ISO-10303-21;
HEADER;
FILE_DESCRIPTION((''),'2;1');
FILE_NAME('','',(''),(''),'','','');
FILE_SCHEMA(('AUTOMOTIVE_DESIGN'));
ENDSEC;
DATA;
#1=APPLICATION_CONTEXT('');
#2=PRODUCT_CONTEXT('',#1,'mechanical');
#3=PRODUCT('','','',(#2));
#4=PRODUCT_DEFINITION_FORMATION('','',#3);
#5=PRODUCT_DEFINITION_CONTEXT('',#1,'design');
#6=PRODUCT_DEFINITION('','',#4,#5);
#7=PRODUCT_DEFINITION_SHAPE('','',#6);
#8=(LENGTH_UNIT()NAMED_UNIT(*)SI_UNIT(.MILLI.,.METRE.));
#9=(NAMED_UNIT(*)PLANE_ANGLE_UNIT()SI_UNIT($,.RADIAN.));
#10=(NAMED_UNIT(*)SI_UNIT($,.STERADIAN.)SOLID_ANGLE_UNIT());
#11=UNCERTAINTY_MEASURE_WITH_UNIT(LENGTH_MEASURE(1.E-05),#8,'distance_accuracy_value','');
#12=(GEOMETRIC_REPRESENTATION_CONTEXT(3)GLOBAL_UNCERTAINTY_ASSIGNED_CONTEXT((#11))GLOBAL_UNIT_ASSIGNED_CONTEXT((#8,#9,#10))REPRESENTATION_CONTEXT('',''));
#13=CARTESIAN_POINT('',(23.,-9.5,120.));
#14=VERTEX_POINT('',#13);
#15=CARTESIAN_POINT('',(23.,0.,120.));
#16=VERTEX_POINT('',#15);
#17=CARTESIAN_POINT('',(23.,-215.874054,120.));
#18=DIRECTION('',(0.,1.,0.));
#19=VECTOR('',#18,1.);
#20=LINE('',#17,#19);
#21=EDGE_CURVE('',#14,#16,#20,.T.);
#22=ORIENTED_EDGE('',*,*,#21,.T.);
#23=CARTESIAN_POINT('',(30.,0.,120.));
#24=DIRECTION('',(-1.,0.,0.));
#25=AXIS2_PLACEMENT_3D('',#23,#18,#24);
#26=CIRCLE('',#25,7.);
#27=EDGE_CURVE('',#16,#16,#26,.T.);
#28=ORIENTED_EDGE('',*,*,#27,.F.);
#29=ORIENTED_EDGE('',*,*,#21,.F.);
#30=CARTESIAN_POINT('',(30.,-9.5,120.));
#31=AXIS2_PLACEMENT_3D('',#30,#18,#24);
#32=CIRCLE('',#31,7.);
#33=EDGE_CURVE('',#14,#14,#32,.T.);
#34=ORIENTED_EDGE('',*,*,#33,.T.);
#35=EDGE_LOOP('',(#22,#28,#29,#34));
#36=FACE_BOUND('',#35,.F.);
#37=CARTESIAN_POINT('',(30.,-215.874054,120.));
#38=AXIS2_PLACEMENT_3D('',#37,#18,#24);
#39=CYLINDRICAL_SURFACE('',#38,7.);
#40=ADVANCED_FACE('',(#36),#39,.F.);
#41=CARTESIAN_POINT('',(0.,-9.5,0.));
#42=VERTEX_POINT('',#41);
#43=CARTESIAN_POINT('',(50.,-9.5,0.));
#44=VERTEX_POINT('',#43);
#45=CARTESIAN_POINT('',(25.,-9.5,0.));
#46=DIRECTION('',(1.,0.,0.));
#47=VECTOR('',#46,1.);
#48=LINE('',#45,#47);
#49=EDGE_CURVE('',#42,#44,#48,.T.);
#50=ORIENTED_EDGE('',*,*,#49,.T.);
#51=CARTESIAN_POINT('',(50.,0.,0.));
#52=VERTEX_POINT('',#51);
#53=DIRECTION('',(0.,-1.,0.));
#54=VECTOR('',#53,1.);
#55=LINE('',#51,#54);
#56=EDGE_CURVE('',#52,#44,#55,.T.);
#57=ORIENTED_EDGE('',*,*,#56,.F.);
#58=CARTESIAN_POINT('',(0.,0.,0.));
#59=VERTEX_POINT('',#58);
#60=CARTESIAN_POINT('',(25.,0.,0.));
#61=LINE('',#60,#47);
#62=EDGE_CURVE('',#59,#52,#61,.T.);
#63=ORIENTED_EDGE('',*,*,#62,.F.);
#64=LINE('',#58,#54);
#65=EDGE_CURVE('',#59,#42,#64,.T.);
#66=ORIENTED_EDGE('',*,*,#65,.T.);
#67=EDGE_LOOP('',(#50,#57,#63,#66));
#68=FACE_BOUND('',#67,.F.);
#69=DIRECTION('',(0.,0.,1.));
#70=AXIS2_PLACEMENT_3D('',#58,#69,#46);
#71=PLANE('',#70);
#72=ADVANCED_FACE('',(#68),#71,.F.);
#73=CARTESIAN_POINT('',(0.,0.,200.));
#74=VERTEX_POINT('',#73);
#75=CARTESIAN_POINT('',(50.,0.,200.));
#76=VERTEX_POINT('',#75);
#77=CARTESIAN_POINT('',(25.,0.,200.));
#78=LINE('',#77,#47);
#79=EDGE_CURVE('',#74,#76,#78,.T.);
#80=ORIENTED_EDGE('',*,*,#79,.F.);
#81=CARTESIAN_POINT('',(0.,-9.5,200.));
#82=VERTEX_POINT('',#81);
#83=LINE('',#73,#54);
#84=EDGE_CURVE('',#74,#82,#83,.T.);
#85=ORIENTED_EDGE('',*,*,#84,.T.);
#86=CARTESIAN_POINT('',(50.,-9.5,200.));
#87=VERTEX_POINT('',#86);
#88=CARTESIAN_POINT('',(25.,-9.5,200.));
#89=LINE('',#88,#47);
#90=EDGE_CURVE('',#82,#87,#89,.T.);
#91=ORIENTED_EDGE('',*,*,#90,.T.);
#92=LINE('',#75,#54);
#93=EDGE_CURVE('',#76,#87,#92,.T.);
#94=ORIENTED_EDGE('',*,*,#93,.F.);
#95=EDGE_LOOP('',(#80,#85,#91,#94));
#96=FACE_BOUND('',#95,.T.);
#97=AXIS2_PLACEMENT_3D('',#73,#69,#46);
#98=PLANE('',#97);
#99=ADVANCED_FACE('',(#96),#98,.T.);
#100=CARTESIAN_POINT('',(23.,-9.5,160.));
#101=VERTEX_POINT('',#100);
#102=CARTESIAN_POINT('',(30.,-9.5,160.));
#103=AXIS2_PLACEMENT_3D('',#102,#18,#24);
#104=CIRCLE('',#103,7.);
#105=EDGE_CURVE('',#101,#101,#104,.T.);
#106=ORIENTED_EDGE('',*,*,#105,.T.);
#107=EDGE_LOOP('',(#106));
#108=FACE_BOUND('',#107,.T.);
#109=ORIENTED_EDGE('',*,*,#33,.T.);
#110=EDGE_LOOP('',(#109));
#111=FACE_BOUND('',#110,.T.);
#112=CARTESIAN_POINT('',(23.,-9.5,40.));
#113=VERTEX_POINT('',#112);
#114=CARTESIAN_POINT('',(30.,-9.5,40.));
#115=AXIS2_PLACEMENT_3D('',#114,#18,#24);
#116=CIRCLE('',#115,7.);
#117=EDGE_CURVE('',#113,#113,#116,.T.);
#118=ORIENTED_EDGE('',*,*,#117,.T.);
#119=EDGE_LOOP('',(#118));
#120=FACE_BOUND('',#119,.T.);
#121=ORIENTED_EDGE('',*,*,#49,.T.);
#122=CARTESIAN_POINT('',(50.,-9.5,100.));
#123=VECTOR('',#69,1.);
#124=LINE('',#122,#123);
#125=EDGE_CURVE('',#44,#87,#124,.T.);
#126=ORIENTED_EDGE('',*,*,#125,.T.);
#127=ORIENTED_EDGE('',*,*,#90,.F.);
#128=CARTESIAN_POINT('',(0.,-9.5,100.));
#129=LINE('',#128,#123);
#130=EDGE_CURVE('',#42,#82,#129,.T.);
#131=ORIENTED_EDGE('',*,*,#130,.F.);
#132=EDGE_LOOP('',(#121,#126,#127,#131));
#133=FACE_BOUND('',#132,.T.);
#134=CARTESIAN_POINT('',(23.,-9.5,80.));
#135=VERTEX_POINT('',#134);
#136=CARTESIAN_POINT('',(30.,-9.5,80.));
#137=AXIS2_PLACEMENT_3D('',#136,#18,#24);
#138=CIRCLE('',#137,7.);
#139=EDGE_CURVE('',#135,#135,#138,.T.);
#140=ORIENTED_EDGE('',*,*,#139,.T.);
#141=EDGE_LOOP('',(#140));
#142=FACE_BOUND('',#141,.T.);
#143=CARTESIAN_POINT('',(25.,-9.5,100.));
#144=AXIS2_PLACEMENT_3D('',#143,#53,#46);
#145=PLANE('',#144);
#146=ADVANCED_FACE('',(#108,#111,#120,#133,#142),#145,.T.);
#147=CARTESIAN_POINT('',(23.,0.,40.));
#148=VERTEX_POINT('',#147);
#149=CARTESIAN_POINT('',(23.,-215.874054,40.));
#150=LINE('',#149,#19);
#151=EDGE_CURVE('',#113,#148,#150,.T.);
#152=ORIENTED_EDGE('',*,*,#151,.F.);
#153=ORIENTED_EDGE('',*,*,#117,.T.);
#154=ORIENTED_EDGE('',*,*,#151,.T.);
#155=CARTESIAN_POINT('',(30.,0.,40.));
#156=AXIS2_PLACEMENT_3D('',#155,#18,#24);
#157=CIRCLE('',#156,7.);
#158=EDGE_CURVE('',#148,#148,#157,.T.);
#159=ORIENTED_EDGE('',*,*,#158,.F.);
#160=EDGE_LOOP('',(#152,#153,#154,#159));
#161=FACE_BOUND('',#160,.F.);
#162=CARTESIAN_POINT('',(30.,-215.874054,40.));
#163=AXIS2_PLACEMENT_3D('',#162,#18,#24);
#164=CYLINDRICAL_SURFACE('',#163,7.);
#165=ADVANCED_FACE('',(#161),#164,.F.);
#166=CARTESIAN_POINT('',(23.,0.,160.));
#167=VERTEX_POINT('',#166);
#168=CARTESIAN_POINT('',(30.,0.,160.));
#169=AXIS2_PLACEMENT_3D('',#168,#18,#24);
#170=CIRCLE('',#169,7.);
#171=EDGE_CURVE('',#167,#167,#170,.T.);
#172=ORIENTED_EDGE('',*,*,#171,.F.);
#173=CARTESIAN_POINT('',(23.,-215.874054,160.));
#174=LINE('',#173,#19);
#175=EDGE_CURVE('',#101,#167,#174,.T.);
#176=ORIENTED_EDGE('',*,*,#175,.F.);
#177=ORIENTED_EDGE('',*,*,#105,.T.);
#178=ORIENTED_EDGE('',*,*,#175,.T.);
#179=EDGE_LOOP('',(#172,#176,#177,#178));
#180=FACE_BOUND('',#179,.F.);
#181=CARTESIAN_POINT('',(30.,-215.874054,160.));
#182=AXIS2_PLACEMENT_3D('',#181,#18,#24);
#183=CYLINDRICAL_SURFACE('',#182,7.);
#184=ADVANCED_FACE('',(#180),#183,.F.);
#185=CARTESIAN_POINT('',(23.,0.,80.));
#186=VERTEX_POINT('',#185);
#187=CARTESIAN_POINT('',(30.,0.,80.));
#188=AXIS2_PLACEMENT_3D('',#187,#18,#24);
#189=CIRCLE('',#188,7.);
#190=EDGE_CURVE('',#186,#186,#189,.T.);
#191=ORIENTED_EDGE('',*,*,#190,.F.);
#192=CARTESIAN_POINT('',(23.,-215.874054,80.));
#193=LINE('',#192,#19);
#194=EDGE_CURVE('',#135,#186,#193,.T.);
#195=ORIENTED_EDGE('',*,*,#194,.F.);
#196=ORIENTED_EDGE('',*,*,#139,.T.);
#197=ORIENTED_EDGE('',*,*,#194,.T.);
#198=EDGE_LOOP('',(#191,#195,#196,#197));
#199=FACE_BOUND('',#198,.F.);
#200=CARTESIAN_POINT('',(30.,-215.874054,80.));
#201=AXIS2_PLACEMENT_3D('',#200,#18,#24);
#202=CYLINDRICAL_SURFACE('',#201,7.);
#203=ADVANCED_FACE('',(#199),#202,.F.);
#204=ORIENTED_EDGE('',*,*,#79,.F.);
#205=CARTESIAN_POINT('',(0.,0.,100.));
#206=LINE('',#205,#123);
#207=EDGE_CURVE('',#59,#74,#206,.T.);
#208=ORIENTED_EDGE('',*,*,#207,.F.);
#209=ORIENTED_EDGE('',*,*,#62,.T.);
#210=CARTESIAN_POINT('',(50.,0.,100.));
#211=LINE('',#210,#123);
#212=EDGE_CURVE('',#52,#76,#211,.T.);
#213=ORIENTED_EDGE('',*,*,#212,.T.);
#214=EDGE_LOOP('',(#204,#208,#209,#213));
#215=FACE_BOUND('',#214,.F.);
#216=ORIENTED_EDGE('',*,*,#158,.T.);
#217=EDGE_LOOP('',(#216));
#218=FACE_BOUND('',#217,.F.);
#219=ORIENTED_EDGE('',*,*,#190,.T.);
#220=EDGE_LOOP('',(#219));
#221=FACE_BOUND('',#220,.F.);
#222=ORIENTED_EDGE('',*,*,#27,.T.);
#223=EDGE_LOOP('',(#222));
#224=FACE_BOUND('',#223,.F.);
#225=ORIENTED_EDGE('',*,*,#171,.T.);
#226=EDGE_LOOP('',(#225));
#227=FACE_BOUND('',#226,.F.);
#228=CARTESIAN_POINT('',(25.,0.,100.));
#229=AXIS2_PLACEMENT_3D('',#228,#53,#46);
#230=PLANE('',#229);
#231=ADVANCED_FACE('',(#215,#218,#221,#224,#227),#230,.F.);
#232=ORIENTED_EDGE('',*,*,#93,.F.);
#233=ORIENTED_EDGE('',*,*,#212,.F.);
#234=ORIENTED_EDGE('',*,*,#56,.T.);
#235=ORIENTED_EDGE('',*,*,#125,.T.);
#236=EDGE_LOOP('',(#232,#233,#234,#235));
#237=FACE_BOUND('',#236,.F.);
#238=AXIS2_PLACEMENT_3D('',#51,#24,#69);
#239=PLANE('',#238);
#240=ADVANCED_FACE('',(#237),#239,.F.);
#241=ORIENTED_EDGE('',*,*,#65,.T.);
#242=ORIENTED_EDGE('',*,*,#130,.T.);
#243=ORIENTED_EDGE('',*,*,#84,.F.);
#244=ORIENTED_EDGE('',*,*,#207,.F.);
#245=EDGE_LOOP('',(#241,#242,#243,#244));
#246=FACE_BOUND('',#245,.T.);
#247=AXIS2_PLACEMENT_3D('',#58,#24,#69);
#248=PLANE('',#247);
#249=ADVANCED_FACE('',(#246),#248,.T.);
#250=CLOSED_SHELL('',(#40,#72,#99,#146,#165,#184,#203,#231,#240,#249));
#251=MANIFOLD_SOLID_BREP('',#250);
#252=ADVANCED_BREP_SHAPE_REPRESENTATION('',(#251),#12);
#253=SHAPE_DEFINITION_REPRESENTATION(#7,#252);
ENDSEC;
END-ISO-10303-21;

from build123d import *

# Parameters (mm, degrees)
F0_W     = 50
F0_H     = 200
F1_DEPTH = 9.5
F3_D     = 14


with BuildPart() as f1:
    # F0 (on Front) → F1 (new body)
    with BuildSketch(Plane.XZ):
        with Locations((25, 100)):
            Rectangle(F0_W, F0_H)
    extrude(amount=F1_DEPTH)

    # F3 (through all)
    with Locations(Plane.XZ.offset(9.5)):
        with Locations((30, 160), (30, 120), (30, 80), (30, 40)):
            Hole(F3_D / 2)


solid = f1.part
